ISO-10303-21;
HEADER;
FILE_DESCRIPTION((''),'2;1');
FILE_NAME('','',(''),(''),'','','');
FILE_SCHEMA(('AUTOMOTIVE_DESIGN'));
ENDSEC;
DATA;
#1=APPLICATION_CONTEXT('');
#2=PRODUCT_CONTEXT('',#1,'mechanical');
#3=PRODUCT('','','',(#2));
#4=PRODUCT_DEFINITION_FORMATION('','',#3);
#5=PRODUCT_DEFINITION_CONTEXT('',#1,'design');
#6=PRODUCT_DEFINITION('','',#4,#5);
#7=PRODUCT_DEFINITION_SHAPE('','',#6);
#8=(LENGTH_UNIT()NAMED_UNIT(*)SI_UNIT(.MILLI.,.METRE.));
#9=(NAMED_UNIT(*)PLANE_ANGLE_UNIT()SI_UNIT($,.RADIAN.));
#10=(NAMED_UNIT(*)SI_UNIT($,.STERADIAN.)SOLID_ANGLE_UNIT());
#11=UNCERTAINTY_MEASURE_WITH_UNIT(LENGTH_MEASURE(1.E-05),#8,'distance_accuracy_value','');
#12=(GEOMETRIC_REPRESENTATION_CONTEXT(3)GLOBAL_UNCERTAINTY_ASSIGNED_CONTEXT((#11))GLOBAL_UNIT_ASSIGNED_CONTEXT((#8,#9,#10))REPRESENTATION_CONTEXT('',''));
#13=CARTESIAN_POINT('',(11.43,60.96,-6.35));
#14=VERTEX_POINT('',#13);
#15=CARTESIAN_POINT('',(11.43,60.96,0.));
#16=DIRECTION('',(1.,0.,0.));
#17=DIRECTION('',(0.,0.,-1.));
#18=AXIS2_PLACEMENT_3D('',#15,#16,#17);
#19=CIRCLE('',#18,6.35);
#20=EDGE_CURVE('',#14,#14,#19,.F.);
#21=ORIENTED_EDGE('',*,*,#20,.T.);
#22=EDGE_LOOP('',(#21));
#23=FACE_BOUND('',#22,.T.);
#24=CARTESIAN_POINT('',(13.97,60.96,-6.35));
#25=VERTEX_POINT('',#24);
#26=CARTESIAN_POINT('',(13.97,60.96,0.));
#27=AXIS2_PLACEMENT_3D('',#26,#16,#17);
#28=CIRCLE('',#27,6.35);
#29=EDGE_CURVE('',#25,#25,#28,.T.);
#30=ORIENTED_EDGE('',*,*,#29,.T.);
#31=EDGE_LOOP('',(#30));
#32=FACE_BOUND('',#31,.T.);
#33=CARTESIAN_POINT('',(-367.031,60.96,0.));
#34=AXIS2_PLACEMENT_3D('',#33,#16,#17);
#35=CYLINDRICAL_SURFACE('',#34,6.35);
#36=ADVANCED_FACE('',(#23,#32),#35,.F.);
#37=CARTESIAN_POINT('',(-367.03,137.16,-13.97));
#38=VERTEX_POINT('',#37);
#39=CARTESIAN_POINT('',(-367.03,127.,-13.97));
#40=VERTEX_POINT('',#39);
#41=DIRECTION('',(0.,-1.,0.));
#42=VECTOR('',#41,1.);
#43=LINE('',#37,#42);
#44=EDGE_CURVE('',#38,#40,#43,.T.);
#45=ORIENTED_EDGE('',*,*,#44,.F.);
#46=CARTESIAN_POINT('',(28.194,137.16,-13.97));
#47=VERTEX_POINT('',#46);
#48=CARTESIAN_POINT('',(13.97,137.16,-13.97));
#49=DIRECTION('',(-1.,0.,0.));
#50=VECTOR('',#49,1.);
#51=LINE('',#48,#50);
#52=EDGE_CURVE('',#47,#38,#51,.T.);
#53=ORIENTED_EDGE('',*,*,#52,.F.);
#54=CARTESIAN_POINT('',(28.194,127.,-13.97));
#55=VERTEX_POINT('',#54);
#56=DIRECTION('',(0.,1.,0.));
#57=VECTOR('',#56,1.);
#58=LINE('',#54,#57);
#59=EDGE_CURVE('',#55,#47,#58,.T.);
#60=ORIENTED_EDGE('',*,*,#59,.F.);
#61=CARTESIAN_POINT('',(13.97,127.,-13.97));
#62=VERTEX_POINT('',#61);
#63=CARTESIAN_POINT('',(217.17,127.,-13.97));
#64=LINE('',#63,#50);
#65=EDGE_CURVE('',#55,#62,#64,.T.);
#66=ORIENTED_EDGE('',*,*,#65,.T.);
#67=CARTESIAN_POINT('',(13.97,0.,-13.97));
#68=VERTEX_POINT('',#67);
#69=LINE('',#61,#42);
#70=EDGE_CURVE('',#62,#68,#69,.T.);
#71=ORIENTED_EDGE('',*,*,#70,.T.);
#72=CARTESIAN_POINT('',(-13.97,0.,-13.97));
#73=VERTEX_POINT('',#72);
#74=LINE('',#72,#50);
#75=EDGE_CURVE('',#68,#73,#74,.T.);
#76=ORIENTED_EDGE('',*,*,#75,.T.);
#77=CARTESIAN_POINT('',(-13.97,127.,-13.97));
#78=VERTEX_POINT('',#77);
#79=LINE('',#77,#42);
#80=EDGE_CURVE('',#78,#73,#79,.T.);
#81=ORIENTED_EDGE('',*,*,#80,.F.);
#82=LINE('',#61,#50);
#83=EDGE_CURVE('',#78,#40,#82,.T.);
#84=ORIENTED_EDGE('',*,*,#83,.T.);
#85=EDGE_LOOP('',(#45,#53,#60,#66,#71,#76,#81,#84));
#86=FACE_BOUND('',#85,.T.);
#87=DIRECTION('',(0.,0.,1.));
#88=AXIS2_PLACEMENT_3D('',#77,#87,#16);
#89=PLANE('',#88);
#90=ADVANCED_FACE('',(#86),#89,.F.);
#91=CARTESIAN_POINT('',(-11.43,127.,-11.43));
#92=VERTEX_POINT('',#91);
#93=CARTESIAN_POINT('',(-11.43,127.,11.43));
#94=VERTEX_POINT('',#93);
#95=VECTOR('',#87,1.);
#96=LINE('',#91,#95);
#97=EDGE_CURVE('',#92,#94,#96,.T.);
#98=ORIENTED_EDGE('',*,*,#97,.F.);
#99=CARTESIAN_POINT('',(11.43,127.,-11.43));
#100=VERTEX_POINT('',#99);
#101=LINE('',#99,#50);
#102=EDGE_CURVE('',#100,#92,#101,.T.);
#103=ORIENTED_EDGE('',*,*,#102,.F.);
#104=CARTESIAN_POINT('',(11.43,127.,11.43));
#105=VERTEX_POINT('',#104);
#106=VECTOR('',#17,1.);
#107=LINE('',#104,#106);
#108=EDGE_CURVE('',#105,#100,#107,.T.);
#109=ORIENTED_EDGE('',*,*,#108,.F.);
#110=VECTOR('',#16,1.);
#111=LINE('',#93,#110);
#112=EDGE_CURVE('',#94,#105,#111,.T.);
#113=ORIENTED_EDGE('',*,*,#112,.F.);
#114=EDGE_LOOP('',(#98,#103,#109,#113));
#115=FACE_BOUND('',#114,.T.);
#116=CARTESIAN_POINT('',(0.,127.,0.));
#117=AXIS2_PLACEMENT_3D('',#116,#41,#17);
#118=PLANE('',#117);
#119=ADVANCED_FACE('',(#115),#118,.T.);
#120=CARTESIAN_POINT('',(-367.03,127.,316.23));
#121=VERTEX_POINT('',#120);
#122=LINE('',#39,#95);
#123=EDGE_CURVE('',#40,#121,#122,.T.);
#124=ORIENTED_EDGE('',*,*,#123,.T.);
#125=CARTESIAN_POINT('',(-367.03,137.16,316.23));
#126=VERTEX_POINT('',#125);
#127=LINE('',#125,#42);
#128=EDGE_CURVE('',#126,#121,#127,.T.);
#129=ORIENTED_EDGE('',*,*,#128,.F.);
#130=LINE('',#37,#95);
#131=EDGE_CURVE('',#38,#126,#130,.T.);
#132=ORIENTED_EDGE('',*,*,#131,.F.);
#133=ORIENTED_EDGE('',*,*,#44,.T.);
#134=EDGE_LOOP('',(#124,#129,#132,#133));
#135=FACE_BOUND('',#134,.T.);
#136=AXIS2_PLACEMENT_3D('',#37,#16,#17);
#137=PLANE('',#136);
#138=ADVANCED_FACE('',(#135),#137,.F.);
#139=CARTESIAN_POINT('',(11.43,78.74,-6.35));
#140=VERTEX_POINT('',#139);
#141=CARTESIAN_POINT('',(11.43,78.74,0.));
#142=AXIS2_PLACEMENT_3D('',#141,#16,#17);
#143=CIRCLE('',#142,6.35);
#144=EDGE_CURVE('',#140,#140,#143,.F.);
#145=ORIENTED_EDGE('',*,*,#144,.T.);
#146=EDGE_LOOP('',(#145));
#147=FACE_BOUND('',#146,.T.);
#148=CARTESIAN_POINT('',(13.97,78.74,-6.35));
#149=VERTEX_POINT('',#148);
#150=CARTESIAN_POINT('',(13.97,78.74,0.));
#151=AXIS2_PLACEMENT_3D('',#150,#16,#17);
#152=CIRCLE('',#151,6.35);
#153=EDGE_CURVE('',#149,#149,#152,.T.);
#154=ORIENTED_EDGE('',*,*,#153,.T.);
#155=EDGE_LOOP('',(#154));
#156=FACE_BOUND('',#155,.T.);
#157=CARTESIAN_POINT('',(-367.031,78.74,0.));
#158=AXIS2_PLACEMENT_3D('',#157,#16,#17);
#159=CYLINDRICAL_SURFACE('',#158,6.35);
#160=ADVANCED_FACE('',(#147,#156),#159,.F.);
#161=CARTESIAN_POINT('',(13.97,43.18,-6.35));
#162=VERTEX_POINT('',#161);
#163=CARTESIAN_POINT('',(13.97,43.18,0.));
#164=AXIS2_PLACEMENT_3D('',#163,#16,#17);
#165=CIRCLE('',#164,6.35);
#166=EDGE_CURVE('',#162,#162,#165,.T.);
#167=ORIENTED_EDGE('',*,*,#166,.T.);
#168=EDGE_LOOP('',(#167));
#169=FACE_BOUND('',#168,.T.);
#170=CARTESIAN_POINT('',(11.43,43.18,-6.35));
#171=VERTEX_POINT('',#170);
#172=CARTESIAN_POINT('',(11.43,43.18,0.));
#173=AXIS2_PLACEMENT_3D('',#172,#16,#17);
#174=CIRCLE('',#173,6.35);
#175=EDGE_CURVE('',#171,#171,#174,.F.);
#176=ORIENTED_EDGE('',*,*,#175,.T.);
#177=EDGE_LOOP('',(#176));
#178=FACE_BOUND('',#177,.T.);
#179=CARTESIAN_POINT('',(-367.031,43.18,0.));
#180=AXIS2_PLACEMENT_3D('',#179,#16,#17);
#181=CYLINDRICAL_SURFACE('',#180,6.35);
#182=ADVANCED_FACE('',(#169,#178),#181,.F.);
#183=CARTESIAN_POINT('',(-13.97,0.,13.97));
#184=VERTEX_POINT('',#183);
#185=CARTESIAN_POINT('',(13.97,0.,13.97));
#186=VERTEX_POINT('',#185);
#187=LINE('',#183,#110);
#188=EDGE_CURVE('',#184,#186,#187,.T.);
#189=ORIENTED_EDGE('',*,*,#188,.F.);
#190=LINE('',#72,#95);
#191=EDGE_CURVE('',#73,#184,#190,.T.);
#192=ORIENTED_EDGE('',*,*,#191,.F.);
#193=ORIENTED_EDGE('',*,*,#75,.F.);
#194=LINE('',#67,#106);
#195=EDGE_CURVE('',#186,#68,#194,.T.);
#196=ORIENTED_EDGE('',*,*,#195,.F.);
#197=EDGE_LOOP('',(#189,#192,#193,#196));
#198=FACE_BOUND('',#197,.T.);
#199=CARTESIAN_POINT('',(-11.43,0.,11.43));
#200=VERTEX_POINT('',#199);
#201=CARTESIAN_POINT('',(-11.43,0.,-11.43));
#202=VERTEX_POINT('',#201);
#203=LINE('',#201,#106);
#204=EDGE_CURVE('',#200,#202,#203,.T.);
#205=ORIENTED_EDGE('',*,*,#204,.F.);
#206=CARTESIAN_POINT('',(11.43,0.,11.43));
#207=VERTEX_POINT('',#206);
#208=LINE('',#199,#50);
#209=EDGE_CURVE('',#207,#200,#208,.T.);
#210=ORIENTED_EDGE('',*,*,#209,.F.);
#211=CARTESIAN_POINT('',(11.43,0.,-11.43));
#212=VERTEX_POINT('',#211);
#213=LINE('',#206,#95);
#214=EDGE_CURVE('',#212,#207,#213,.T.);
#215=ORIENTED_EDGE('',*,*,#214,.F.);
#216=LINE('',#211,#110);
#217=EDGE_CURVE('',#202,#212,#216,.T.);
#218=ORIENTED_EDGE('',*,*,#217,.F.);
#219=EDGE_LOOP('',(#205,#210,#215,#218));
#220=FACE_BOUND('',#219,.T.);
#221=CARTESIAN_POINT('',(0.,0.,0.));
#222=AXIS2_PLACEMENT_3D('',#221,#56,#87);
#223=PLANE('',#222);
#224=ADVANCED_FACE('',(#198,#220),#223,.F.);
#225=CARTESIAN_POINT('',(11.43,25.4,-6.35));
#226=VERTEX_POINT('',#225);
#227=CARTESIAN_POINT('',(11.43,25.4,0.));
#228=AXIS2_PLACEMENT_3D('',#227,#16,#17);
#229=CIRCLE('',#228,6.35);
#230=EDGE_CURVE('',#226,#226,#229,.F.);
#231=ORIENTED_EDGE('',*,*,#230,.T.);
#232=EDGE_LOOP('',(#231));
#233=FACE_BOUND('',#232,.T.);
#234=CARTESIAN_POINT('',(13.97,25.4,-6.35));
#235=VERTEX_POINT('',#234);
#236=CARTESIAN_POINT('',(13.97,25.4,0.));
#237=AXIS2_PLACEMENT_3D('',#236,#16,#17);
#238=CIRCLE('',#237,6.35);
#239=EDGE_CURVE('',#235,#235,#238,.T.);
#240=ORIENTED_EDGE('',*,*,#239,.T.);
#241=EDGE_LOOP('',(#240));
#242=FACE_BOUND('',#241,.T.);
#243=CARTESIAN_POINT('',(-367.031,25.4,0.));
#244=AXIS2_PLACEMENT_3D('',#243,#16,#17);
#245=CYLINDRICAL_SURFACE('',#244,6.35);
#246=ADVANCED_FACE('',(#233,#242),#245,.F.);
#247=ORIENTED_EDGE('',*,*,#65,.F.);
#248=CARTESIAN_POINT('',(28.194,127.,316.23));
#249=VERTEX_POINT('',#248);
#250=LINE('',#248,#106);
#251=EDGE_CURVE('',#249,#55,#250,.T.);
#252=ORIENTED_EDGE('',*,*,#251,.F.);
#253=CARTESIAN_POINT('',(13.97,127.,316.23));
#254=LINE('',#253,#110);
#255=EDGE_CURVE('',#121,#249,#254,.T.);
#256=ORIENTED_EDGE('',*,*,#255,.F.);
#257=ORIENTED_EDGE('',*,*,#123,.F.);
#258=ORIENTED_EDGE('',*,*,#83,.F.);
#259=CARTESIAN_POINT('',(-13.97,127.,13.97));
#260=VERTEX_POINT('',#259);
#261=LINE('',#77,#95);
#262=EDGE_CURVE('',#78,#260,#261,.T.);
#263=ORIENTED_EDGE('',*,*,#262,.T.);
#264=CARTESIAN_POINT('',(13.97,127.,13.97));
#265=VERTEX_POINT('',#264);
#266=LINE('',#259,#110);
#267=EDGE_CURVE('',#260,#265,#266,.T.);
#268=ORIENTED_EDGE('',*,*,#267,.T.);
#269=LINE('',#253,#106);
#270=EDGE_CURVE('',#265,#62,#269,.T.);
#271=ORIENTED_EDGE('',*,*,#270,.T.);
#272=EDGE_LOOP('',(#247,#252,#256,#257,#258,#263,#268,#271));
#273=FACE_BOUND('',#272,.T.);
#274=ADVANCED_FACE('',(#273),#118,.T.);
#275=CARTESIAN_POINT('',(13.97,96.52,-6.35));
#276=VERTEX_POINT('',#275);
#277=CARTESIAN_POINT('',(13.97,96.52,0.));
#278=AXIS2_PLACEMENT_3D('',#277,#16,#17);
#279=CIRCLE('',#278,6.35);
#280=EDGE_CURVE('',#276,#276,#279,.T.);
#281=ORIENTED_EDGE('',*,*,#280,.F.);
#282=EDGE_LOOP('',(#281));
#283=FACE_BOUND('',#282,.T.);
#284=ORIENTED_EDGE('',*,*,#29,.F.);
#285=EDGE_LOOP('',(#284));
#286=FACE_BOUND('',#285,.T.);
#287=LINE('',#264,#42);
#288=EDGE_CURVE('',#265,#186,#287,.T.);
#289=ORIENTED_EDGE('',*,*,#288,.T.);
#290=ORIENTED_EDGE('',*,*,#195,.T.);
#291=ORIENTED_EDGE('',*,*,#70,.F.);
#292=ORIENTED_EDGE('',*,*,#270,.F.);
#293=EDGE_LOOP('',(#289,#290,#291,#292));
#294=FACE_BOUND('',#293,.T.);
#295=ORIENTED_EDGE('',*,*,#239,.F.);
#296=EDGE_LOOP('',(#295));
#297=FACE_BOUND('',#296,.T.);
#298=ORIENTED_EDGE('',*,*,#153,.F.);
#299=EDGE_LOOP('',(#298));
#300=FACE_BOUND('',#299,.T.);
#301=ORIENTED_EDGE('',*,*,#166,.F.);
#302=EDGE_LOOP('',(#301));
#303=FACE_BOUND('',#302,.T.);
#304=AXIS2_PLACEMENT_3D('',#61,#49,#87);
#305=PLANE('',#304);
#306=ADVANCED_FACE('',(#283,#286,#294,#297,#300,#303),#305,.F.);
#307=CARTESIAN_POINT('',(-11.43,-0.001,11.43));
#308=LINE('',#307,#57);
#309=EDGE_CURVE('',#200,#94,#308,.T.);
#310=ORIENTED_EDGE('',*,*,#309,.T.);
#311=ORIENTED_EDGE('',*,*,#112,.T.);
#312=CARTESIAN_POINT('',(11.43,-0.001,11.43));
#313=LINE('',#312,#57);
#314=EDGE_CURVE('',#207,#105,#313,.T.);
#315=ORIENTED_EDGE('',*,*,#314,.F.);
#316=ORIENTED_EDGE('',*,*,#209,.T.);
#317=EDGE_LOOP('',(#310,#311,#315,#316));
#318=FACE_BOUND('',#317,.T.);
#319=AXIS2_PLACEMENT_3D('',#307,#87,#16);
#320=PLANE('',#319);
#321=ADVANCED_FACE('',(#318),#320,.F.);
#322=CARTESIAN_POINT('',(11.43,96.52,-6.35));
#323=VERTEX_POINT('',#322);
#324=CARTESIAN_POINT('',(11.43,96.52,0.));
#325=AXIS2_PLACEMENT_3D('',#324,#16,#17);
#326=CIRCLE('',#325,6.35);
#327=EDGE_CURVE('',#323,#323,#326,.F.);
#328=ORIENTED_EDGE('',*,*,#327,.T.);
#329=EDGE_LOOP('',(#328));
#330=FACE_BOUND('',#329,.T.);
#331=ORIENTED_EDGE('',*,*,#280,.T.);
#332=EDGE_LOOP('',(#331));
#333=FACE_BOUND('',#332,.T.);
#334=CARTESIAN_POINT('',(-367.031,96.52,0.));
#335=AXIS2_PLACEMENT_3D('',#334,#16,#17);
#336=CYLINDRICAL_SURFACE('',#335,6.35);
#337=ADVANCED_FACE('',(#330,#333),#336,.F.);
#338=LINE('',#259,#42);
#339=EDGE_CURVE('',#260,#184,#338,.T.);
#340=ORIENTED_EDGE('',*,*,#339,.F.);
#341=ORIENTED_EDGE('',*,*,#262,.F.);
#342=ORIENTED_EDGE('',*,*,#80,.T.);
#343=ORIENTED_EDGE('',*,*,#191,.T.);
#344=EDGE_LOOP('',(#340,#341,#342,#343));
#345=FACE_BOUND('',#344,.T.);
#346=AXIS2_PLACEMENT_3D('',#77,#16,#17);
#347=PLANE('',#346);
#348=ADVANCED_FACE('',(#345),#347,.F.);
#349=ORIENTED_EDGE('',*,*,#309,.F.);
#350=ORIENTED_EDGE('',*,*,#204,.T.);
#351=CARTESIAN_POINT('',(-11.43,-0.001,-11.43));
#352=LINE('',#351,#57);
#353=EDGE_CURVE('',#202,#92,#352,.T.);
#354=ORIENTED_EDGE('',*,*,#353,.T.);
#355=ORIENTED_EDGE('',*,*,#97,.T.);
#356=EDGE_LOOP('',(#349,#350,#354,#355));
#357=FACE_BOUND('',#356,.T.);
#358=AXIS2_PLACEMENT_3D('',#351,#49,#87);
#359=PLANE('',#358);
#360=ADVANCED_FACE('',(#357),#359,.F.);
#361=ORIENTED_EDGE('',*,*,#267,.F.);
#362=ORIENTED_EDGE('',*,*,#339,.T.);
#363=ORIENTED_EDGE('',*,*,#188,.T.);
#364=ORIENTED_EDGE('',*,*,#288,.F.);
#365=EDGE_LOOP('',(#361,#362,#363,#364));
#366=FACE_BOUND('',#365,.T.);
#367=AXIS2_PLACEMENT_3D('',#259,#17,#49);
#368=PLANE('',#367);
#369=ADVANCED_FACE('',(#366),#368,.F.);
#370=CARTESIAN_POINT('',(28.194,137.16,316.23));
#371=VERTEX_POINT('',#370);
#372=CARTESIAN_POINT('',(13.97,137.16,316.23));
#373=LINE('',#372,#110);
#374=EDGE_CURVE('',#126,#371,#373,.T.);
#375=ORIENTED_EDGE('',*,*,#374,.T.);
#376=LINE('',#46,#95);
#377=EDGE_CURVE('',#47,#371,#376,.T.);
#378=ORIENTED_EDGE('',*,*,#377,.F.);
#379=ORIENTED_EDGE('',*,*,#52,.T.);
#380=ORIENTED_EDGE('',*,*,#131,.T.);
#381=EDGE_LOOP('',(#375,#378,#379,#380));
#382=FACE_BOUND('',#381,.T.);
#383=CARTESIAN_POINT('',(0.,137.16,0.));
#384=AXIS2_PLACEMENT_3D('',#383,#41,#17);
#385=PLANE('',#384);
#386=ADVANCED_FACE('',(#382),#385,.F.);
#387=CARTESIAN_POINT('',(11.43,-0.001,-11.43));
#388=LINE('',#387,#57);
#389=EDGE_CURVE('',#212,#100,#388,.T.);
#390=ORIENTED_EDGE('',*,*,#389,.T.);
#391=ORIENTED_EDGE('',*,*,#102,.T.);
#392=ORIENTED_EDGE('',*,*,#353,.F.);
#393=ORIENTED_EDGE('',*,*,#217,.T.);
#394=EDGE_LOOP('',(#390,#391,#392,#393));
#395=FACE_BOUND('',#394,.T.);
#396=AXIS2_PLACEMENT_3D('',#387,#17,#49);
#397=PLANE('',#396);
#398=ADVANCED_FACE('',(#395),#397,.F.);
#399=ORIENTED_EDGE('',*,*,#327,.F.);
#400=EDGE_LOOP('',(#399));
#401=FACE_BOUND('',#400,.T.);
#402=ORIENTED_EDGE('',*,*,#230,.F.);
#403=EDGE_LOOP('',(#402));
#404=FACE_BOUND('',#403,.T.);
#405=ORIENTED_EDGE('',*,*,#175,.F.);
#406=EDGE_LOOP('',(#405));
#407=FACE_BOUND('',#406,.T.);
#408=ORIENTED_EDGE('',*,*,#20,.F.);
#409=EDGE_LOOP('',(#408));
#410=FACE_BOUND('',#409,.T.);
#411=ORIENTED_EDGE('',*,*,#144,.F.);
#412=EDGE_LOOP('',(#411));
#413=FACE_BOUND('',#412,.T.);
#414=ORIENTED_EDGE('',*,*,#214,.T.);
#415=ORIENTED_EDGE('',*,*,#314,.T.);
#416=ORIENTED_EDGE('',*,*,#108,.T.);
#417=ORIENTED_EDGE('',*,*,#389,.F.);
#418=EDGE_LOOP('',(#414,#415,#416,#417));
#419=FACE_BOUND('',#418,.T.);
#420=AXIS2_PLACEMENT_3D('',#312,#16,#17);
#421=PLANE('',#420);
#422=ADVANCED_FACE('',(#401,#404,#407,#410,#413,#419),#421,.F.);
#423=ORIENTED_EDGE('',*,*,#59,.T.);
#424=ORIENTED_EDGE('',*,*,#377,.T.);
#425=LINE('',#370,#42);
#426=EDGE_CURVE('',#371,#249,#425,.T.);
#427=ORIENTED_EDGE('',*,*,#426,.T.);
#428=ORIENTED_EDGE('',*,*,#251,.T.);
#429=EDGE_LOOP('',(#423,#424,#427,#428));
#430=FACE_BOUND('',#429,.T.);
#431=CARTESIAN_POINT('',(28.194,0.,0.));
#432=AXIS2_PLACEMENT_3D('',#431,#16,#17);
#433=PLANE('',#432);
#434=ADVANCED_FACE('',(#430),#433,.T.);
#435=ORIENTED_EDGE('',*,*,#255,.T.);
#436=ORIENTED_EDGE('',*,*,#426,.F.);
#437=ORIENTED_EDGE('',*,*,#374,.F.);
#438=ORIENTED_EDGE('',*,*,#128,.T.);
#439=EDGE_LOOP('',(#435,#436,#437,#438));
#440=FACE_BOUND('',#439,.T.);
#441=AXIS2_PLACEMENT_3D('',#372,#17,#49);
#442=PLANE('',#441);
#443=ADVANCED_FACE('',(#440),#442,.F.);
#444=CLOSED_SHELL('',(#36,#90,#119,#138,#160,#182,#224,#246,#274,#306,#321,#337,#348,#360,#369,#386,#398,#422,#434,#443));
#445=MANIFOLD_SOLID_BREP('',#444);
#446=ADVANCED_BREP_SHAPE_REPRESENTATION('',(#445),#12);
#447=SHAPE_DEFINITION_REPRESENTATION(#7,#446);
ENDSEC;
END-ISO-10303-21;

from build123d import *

# Parameters (mm, degrees)
SKETCH1_W           = 27.94
SKETCH1_H           = 27.94
BOSS_EXTRUDE1_DEPTH = 127
CUT_EXTRUDE1_REACH  = 130.528
SKETCH2_W           = 22.86
SKETCH2_H           = 22.86
SKETCH3_W           = 381
SKETCH3_H           = 330.2
BOSS_EXTRUDE2_DEPTH = 10.16
CUT_EXTRUDE2_REACH  = 515.785
SKETCH4_R           = 6.35
SKETCH5_W           = 330.2
SKETCH5_H           = 10.16
BOSS_EXTRUDE3_DEPTH = 203.2
SKETCH7_R           = 7.5
CUT_EXTRUDE4_DEPTH  = 5.08
SKETCH8_W           = 330.2
SKETCH8_H           = 10.16
CUT_EXTRUDE5_DEPTH  = 188.976


with BuildPart() as part:
    # Sketch1 → Boss-Extrude1 (new body)
    with BuildSketch(Plane(origin=(0, 0, 0), x_dir=(1, 0, 0), z_dir=(0, 1, 0))):
        Rectangle(SKETCH1_W, SKETCH1_H)
    extrude(amount=BOSS_EXTRUDE1_DEPTH)

    # Sketch2 → Cut-Extrude1 (cut, up to next)
    with BuildSketch(Plane(origin=(0, 127, 0), x_dir=(1, 0, 0), z_dir=(0, 1, 0)), mode=Mode.PRIVATE) as cut_extrude1_sk1:
        Rectangle(SKETCH2_W, SKETCH2_H)
    cut_extrude1_tool1 = extrude(cut_extrude1_sk1.sketch, amount=-CUT_EXTRUDE1_REACH, mode=Mode.PRIVATE) & part.part
    add(cut_extrude1_tool1.solids().sort_by_distance((0, 127, 0))[0], mode=Mode.SUBTRACT)

    # Sketch3 → Boss-Extrude2 (add)
    with BuildSketch(Plane(origin=(0, 127, 0), x_dir=(1, 0, 0), z_dir=(0, 1, 0))):
        with Locations((-176.53, -151.13)):
            Rectangle(SKETCH3_W, SKETCH3_H)
    extrude(amount=BOSS_EXTRUDE2_DEPTH)

    # Sketch4 → Cut-Extrude2 (cut, up to next)
    with BuildSketch(Plane(origin=(13.97, 0, 0), x_dir=(0, 0, -1), z_dir=(1, 0, 0)), mode=Mode.PRIVATE) as cut_extrude2_sk1:
        with Locations((0, 25.4)):
            Circle(SKETCH4_R)
    cut_extrude2_tool1 = extrude(cut_extrude2_sk1.sketch, amount=-CUT_EXTRUDE2_REACH, mode=Mode.PRIVATE) & part.part
    # Sketch4 → Cut-Extrude2 (cut, up to next)
    with BuildSketch(Plane(origin=(13.97, 0, 0), x_dir=(0, 0, -1), z_dir=(1, 0, 0)), mode=Mode.PRIVATE) as cut_extrude2_sk2:
        with Locations((0, 43.18)):
            Circle(SKETCH4_R)
    cut_extrude2_tool2 = extrude(cut_extrude2_sk2.sketch, amount=-CUT_EXTRUDE2_REACH, mode=Mode.PRIVATE) & part.part
    # Sketch4 → Cut-Extrude2 (cut, up to next)
    with BuildSketch(Plane(origin=(13.97, 0, 0), x_dir=(0, 0, -1), z_dir=(1, 0, 0)), mode=Mode.PRIVATE) as cut_extrude2_sk3:
        with Locations((0, 60.96)):
            Circle(SKETCH4_R)
    cut_extrude2_tool3 = extrude(cut_extrude2_sk3.sketch, amount=-CUT_EXTRUDE2_REACH, mode=Mode.PRIVATE) & part.part
    # Sketch4 → Cut-Extrude2 (cut, up to next)
    with BuildSketch(Plane(origin=(13.97, 0, 0), x_dir=(0, 0, -1), z_dir=(1, 0, 0)), mode=Mode.PRIVATE) as cut_extrude2_sk4:
        with Locations((0, 78.74)):
            Circle(SKETCH4_R)
    cut_extrude2_tool4 = extrude(cut_extrude2_sk4.sketch, amount=-CUT_EXTRUDE2_REACH, mode=Mode.PRIVATE) & part.part
    # Sketch4 → Cut-Extrude2 (cut, up to next)
    with BuildSketch(Plane(origin=(13.97, 0, 0), x_dir=(0, 0, -1), z_dir=(1, 0, 0)), mode=Mode.PRIVATE) as cut_extrude2_sk5:
        with Locations((0, 96.52)):
            Circle(SKETCH4_R)
    cut_extrude2_tool5 = extrude(cut_extrude2_sk5.sketch, amount=-CUT_EXTRUDE2_REACH, mode=Mode.PRIVATE) & part.part
    add(cut_extrude2_tool1.solids().sort_by_distance((13.97, 25.4, 0))[0], mode=Mode.SUBTRACT)
    add(cut_extrude2_tool2.solids().sort_by_distance((13.97, 43.18, 0))[0], mode=Mode.SUBTRACT)
    add(cut_extrude2_tool3.solids().sort_by_distance((13.97, 60.96, 0))[0], mode=Mode.SUBTRACT)
    add(cut_extrude2_tool4.solids().sort_by_distance((13.97, 78.74, 0))[0], mode=Mode.SUBTRACT)
    add(cut_extrude2_tool5.solids().sort_by_distance((13.97, 96.52, 0))[0], mode=Mode.SUBTRACT)

    # Sketch5 → Boss-Extrude3 (add)
    with BuildSketch(Plane(origin=(13.97, 0, 0), x_dir=(0, 0, -1), z_dir=(1, 0, 0))):
        with Locations((-151.13, 132.08)):
            Rectangle(SKETCH5_W, SKETCH5_H)
    extrude(amount=BOSS_EXTRUDE3_DEPTH)

    # Sketch7 → Cut-Extrude4 (cut)
    with BuildSketch(Plane.XZ.offset(-127)):
        with Locations(Location((90.17, 43.501665218, 0), (0, 0, 270))):
            Circle(SKETCH7_R)
    extrude(amount=-CUT_EXTRUDE4_DEPTH, mode=Mode.SUBTRACT)

    # Sketch8 → Cut-Extrude5 (cut)
    with BuildSketch(Plane(origin=(217.17, 0, 0), x_dir=(0, 0, -1), z_dir=(1, 0, 0))):
        with Locations((-151.13, 132.08)):
            Rectangle(SKETCH8_W, SKETCH8_H)
    extrude(amount=-CUT_EXTRUDE5_DEPTH, mode=Mode.SUBTRACT)


solid = part.part
